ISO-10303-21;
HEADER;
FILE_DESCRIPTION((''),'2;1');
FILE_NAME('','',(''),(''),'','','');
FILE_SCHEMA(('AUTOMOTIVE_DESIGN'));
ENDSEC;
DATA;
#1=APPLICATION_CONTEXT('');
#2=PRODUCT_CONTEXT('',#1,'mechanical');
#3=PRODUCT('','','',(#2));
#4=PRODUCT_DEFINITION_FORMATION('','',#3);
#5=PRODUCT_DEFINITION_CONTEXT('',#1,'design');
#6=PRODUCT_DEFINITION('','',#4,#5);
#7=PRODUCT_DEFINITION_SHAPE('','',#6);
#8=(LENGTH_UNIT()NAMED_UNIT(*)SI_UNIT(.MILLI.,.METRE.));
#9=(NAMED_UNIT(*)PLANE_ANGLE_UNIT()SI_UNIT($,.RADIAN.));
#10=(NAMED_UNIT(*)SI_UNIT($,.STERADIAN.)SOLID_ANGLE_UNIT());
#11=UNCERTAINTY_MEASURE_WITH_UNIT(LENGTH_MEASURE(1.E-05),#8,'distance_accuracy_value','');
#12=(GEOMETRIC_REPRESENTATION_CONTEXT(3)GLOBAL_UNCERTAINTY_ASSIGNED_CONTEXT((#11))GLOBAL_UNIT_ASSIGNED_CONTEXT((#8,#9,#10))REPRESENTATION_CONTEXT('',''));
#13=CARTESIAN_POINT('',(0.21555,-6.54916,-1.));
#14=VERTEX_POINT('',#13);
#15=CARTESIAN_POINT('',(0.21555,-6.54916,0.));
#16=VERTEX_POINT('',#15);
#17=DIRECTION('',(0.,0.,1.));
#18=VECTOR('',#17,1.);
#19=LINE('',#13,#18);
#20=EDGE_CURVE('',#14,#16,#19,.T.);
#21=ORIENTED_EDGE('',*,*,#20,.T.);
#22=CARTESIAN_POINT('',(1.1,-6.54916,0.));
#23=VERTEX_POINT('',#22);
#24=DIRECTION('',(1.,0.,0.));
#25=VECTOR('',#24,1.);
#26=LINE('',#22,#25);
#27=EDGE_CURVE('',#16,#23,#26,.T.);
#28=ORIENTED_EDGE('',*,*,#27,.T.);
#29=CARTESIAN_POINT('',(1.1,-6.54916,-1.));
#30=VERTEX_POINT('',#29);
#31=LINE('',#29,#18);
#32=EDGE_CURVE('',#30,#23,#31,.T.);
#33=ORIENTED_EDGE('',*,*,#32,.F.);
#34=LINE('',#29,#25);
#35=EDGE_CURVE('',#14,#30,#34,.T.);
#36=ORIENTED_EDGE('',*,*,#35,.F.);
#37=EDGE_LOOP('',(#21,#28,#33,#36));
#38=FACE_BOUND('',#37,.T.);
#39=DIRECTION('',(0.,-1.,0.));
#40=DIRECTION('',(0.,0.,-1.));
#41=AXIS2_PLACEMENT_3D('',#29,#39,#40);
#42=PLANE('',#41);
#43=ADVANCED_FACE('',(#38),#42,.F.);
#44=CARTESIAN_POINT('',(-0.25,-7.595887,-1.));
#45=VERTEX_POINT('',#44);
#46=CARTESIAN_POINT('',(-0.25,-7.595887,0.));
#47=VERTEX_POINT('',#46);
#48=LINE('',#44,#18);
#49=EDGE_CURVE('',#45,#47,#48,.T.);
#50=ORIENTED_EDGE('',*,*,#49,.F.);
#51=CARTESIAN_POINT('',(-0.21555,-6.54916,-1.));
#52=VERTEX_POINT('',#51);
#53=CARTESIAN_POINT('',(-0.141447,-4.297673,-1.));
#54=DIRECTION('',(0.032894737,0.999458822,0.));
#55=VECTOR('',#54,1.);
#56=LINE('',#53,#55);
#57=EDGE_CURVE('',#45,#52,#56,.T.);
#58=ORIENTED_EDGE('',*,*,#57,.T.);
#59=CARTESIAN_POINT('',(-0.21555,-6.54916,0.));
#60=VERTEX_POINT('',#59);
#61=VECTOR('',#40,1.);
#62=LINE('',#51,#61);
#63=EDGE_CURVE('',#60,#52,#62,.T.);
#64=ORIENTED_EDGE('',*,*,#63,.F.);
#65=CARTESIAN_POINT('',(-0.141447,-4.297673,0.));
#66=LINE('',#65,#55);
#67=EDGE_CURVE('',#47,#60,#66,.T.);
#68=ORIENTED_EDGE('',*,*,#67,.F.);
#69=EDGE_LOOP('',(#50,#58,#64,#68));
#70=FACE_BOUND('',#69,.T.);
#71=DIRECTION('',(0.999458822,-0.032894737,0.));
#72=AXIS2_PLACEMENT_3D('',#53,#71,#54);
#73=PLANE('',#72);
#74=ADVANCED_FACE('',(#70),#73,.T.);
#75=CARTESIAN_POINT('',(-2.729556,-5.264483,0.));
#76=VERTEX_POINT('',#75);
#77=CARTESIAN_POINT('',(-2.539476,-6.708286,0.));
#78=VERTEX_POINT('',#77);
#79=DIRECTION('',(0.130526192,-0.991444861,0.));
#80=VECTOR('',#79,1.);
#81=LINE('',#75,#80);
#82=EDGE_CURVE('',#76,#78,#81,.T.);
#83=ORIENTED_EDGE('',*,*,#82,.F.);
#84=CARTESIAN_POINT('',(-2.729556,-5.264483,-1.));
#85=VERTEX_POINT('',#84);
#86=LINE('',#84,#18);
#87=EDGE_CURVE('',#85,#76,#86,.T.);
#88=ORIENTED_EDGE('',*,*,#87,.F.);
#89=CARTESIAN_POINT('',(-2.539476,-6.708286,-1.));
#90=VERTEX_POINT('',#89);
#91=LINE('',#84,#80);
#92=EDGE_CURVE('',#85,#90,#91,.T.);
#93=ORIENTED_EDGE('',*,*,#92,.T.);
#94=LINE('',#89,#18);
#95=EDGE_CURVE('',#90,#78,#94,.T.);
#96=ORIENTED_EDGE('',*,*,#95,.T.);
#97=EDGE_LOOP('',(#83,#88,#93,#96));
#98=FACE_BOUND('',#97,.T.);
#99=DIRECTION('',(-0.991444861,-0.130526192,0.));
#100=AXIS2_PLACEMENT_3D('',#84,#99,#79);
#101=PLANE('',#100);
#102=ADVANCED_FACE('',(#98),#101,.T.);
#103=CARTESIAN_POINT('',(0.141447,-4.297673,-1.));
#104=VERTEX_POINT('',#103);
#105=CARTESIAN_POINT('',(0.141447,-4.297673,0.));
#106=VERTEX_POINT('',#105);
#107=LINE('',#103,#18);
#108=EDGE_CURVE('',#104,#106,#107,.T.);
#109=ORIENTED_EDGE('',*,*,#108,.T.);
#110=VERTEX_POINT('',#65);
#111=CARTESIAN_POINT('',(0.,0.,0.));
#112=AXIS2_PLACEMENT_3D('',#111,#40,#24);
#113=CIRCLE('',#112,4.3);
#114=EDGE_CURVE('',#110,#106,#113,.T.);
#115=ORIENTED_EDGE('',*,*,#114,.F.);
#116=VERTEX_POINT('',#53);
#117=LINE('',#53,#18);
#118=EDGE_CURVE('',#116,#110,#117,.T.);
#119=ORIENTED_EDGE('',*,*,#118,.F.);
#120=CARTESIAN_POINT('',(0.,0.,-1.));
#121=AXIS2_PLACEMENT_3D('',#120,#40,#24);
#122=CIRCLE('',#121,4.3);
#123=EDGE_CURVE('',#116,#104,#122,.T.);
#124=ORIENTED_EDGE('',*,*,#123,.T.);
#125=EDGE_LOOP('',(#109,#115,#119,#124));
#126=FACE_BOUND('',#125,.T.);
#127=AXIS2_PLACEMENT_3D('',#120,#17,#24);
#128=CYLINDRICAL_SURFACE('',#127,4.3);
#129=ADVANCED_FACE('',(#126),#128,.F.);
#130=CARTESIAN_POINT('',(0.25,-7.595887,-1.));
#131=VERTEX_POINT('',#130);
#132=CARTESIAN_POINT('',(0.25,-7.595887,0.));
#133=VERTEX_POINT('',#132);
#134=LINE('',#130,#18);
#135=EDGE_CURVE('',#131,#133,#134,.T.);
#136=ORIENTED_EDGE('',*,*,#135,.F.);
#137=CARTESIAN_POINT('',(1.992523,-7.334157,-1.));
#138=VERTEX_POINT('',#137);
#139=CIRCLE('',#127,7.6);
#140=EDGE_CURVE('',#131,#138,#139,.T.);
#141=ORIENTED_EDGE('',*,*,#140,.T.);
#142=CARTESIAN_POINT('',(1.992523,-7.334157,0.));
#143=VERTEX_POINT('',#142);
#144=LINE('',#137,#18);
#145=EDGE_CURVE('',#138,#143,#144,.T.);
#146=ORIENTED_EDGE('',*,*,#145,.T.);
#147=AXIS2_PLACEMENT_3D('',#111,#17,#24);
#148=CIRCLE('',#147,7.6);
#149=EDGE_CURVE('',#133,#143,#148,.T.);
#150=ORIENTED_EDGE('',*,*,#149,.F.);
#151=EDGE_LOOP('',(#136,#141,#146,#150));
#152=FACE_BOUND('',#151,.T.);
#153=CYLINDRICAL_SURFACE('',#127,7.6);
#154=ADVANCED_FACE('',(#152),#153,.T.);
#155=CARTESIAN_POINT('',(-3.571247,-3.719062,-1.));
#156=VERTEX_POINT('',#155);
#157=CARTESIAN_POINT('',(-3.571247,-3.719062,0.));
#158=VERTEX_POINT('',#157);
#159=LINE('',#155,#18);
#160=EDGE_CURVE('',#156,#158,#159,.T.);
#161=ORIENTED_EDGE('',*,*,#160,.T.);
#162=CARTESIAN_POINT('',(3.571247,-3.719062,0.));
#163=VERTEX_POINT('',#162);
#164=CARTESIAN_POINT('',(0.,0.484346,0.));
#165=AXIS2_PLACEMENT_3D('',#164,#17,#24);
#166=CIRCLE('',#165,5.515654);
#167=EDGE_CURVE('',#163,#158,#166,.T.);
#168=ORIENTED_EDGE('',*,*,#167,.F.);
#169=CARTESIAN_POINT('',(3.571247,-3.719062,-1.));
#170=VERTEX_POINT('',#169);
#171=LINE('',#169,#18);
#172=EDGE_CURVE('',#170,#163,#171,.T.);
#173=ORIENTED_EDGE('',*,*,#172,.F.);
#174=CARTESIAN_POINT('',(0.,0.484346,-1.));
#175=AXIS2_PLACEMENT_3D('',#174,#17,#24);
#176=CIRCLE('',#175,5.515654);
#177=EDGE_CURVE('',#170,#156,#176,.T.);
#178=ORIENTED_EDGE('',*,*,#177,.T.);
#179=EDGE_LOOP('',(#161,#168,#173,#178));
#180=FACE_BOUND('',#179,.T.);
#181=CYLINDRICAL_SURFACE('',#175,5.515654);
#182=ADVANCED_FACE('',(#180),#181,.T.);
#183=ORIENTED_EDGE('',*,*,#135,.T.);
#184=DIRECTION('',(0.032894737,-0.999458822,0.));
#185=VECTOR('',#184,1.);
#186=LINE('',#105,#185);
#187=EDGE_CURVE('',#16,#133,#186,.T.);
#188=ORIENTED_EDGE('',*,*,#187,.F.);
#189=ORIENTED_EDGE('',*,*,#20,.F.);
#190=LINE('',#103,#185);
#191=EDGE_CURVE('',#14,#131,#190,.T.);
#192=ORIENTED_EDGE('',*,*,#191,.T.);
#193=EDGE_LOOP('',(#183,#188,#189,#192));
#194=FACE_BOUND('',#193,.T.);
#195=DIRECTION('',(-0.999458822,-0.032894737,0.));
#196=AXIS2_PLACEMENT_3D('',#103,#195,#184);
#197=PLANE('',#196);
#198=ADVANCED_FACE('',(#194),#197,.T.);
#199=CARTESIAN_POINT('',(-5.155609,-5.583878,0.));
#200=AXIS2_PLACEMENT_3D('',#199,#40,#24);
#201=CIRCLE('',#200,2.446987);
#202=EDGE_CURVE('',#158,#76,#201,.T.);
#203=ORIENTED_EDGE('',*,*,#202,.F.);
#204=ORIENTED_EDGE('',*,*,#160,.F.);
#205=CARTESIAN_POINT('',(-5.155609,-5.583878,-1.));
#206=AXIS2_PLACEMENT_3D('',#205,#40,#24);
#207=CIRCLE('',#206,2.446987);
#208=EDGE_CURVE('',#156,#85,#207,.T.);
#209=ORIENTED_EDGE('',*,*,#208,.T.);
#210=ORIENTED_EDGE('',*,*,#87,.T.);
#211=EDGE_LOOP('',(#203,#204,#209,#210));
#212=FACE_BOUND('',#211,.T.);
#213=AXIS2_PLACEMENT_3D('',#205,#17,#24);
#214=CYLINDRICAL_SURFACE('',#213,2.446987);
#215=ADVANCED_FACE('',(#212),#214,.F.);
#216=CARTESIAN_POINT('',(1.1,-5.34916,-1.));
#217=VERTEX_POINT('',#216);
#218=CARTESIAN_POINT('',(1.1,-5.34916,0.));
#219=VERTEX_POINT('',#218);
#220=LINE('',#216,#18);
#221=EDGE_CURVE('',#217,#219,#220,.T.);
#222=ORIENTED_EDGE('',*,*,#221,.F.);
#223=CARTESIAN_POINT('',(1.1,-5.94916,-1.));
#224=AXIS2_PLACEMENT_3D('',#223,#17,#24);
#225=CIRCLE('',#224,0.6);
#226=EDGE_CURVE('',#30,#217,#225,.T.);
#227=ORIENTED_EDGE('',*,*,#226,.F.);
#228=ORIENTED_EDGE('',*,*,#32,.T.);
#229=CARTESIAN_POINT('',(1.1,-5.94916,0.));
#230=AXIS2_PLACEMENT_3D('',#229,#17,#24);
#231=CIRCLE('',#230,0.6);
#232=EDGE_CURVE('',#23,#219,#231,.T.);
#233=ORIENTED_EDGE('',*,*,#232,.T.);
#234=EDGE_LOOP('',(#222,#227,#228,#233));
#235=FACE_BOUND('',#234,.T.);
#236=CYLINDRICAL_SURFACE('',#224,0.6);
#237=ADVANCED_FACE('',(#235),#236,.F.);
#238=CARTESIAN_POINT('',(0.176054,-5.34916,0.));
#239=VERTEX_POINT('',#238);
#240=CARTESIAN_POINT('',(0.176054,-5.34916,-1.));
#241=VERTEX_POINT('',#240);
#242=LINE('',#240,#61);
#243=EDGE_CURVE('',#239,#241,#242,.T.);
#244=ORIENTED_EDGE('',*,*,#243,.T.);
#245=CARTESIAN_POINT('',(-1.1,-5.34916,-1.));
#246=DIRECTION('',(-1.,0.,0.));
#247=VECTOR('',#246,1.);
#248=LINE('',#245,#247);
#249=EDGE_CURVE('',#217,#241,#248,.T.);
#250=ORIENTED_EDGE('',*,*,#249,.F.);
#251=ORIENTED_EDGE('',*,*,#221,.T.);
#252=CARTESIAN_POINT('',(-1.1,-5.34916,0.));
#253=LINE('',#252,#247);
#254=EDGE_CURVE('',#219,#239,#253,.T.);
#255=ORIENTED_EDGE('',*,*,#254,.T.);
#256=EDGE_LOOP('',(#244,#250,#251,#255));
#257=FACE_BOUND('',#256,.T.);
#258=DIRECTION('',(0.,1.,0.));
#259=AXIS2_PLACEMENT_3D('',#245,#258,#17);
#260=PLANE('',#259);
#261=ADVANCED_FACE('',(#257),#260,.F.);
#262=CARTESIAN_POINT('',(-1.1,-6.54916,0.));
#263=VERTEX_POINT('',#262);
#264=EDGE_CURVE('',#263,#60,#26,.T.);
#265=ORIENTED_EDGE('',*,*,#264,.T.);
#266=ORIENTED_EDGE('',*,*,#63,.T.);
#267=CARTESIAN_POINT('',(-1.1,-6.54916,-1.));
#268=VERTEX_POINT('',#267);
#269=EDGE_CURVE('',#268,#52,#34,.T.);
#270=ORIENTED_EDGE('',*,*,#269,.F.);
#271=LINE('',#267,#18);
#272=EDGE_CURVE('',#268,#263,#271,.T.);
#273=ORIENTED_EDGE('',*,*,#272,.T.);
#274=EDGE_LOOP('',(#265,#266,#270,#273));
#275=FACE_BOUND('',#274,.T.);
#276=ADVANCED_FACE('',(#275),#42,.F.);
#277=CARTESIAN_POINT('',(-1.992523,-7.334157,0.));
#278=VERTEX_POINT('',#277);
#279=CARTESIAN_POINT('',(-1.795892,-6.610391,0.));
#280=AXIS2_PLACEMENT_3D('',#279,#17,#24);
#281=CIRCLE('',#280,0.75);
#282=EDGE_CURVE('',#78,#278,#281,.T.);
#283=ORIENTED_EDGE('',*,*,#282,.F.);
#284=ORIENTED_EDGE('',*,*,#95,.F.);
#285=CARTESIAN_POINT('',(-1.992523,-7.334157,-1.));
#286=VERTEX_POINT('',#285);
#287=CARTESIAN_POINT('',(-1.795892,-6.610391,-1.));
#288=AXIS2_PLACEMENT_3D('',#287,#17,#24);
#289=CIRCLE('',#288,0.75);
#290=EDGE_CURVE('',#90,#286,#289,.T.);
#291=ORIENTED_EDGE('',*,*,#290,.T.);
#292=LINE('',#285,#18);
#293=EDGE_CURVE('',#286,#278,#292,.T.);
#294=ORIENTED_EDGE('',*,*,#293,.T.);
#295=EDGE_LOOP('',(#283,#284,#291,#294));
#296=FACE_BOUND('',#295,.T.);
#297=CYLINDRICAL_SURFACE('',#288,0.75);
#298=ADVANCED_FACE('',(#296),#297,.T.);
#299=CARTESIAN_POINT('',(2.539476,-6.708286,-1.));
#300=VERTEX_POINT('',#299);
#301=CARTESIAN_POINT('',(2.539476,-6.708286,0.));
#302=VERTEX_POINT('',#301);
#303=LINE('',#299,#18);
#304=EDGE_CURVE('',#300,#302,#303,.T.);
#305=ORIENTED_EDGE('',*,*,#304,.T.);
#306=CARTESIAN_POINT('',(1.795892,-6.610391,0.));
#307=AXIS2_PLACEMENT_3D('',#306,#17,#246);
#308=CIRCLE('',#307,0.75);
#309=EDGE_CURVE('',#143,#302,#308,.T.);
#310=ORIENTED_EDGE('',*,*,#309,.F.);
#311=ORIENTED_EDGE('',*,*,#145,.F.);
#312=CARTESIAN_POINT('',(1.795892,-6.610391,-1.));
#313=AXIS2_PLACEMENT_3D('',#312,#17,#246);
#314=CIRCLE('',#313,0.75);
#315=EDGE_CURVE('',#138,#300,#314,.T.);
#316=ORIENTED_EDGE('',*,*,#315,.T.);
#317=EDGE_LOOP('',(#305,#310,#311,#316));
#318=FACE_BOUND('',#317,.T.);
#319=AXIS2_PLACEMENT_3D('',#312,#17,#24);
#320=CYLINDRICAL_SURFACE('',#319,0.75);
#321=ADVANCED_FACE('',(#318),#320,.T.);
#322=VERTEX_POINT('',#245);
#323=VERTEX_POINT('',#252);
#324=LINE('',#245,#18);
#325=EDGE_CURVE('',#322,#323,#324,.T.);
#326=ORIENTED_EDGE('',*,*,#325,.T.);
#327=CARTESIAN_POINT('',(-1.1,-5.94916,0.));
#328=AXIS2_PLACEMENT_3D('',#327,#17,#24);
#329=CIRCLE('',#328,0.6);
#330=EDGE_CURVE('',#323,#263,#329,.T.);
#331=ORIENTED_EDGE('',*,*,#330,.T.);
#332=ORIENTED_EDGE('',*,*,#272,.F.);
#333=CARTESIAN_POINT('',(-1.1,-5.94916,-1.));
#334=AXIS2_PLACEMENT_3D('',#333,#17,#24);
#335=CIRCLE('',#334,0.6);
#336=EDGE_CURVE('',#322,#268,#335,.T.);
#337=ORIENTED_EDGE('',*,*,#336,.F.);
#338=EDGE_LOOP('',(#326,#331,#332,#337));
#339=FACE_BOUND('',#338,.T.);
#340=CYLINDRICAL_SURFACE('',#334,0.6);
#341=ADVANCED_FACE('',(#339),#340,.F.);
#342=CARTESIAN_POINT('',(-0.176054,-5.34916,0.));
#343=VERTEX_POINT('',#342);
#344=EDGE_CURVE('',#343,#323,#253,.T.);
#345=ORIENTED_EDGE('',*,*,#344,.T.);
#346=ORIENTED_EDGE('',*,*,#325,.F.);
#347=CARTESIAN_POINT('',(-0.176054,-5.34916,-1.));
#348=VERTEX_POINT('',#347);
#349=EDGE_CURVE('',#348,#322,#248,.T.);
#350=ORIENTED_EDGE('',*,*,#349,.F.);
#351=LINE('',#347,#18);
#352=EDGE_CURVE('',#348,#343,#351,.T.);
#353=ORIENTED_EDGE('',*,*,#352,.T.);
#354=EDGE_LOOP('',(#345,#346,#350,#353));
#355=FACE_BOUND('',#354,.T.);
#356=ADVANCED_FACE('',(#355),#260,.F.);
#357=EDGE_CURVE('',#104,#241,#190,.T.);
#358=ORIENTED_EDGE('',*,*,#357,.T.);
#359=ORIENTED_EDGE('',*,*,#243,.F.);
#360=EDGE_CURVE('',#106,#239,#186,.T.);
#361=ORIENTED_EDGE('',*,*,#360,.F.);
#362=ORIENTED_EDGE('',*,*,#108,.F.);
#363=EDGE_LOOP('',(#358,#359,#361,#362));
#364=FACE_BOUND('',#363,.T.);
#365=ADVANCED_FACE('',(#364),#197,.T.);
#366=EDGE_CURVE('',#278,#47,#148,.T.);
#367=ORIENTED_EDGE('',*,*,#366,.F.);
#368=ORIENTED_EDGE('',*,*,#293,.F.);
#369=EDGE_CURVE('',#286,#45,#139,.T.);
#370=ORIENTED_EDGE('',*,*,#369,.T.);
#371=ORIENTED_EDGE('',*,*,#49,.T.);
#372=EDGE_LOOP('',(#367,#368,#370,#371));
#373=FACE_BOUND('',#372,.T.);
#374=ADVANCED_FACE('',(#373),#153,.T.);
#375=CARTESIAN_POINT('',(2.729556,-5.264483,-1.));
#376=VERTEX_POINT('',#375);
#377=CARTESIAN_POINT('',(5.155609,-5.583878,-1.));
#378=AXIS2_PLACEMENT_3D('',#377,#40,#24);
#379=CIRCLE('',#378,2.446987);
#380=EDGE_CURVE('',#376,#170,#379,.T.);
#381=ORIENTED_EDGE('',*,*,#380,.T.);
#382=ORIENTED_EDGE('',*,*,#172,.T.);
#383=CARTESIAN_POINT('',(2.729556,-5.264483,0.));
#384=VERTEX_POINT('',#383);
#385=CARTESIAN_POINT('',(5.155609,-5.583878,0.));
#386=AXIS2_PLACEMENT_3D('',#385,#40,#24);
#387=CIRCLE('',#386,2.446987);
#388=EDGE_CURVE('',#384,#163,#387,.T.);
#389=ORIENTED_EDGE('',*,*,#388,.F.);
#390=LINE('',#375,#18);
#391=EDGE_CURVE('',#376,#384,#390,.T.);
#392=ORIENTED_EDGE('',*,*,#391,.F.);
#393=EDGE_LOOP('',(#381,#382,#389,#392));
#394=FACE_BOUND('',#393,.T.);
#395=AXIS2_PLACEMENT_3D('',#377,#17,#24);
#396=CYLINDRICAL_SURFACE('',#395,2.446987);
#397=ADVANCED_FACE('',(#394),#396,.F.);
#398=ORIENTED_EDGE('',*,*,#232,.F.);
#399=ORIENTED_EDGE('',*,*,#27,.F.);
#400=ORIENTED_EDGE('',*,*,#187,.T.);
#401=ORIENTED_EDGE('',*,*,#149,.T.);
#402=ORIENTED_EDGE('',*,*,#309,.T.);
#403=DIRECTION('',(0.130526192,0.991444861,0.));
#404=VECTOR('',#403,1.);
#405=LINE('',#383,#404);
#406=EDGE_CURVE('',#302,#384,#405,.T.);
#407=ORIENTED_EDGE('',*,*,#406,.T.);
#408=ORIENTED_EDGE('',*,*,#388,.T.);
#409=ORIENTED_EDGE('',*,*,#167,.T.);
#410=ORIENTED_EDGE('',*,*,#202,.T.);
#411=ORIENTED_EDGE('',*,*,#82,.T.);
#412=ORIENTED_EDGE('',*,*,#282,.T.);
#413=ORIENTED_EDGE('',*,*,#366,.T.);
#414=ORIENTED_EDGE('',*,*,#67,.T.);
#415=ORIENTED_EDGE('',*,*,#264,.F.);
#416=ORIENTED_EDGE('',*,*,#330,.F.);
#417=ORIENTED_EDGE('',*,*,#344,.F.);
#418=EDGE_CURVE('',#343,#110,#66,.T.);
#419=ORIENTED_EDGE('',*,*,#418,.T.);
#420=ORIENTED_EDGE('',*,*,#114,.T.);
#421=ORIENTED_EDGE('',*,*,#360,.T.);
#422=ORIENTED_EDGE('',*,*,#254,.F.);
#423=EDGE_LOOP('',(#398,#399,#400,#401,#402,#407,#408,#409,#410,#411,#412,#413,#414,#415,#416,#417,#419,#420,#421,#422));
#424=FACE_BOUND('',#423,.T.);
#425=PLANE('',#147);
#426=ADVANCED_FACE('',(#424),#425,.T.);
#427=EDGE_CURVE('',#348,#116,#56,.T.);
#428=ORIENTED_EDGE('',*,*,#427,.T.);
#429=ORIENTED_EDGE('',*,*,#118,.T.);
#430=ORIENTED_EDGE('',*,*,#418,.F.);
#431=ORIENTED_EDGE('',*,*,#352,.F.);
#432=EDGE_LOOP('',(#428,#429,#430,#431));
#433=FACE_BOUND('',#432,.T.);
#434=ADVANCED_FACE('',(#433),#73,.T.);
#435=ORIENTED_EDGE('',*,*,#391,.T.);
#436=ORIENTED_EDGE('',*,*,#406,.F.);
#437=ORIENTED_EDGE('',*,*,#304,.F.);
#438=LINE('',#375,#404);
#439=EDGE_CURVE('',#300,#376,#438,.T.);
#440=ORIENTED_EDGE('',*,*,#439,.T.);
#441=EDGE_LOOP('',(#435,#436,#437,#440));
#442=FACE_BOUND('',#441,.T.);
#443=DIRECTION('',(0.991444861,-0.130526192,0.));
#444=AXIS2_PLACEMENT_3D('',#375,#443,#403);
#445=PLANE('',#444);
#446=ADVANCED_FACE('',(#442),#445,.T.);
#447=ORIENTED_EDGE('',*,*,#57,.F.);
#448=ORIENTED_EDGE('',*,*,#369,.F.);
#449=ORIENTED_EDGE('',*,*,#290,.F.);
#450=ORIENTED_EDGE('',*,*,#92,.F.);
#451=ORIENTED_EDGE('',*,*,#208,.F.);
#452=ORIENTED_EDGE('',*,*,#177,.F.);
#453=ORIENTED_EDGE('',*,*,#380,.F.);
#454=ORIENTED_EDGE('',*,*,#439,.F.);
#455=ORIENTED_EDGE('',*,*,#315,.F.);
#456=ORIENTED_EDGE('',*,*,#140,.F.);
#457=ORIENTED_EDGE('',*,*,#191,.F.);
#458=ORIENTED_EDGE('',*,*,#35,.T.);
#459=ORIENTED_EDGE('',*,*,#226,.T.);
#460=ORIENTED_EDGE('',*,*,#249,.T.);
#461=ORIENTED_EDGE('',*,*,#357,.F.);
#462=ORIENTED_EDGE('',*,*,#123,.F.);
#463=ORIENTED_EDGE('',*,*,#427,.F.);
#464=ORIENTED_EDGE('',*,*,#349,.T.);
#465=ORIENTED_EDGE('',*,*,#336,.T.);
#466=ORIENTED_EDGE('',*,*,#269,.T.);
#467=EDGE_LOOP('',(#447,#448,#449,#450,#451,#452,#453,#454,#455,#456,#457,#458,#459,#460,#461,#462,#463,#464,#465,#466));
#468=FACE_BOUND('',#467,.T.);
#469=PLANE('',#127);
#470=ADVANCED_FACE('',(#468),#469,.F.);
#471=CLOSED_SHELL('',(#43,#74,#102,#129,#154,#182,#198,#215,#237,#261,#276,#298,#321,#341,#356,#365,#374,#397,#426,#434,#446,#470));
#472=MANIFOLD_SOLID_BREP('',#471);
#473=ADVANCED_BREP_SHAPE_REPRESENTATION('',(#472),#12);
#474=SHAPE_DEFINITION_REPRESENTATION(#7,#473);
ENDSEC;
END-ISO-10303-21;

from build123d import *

# Parameters (mm, degrees)
BODYSKE_R   = 0.6
BODY_DEPTH  = 1
NOTSKE_W    = 2.2
NOTSKE_H    = 1.2
NOTCH_DEPTH = 10.440335771


with BuildPart() as part:
    # BodySke → Body (new body)
    with BuildSketch(Plane.XY):
        with BuildLine():
            Line((0.141447368, -4.297672933), (0.25, -7.595887045))
            ThreePointArc((0.25, -7.595887045), (1.128872442, -7.515693382), (1.992522935, -7.334156554))
            ThreePointArc((1.992522935, -7.334156554), (2.360630596, -7.103919978), (2.539476028, -6.708285749))
            Line((2.539476028, -6.708285749), (2.729556329, -5.264482519))
            ThreePointArc((2.729556329, -5.264482519), (3.006670078, -4.413490978), (3.571246669, -3.719061784))
            ThreePointArc((3.571246669, -3.719061784), (0, 6), (-3.571246669, -3.719061784))
            ThreePointArc((-3.571246669, -3.719061784), (-3.006670078, -4.413490978), (-2.729556329, -5.264482519))
            Line((-2.729556329, -5.264482519), (-2.539476028, -6.708285749))
            ThreePointArc((-2.539476028, -6.708285749), (-2.360630596, -7.103919978), (-1.992522935, -7.334156554))
            ThreePointArc((-1.992522935, -7.334156554), (-1.128872442, -7.515693382), (-0.25, -7.595887045))
            Line((-0.25, -7.595887045), (-0.141447368, -4.297672933))
            ThreePointArc((-0.141447368, -4.297672933), (0, 4.3), (0.141447368, -4.297672933))
        make_face()
        with Locations((1.1, -5.949159605)):
            Circle(BODYSKE_R, mode=Mode.SUBTRACT)
        with Locations((-1.1, -5.949159605)):
            Circle(BODYSKE_R, mode=Mode.SUBTRACT)
    extrude(amount=-BODY_DEPTH)

    # NotSke → Notch (cut, through all)
    with BuildSketch(Plane.XY):
        with Locations((0, -5.949159605)):
            Rectangle(NOTSKE_W, NOTSKE_H)
    extrude(amount=-NOTCH_DEPTH, mode=Mode.SUBTRACT)


solid = part.part
